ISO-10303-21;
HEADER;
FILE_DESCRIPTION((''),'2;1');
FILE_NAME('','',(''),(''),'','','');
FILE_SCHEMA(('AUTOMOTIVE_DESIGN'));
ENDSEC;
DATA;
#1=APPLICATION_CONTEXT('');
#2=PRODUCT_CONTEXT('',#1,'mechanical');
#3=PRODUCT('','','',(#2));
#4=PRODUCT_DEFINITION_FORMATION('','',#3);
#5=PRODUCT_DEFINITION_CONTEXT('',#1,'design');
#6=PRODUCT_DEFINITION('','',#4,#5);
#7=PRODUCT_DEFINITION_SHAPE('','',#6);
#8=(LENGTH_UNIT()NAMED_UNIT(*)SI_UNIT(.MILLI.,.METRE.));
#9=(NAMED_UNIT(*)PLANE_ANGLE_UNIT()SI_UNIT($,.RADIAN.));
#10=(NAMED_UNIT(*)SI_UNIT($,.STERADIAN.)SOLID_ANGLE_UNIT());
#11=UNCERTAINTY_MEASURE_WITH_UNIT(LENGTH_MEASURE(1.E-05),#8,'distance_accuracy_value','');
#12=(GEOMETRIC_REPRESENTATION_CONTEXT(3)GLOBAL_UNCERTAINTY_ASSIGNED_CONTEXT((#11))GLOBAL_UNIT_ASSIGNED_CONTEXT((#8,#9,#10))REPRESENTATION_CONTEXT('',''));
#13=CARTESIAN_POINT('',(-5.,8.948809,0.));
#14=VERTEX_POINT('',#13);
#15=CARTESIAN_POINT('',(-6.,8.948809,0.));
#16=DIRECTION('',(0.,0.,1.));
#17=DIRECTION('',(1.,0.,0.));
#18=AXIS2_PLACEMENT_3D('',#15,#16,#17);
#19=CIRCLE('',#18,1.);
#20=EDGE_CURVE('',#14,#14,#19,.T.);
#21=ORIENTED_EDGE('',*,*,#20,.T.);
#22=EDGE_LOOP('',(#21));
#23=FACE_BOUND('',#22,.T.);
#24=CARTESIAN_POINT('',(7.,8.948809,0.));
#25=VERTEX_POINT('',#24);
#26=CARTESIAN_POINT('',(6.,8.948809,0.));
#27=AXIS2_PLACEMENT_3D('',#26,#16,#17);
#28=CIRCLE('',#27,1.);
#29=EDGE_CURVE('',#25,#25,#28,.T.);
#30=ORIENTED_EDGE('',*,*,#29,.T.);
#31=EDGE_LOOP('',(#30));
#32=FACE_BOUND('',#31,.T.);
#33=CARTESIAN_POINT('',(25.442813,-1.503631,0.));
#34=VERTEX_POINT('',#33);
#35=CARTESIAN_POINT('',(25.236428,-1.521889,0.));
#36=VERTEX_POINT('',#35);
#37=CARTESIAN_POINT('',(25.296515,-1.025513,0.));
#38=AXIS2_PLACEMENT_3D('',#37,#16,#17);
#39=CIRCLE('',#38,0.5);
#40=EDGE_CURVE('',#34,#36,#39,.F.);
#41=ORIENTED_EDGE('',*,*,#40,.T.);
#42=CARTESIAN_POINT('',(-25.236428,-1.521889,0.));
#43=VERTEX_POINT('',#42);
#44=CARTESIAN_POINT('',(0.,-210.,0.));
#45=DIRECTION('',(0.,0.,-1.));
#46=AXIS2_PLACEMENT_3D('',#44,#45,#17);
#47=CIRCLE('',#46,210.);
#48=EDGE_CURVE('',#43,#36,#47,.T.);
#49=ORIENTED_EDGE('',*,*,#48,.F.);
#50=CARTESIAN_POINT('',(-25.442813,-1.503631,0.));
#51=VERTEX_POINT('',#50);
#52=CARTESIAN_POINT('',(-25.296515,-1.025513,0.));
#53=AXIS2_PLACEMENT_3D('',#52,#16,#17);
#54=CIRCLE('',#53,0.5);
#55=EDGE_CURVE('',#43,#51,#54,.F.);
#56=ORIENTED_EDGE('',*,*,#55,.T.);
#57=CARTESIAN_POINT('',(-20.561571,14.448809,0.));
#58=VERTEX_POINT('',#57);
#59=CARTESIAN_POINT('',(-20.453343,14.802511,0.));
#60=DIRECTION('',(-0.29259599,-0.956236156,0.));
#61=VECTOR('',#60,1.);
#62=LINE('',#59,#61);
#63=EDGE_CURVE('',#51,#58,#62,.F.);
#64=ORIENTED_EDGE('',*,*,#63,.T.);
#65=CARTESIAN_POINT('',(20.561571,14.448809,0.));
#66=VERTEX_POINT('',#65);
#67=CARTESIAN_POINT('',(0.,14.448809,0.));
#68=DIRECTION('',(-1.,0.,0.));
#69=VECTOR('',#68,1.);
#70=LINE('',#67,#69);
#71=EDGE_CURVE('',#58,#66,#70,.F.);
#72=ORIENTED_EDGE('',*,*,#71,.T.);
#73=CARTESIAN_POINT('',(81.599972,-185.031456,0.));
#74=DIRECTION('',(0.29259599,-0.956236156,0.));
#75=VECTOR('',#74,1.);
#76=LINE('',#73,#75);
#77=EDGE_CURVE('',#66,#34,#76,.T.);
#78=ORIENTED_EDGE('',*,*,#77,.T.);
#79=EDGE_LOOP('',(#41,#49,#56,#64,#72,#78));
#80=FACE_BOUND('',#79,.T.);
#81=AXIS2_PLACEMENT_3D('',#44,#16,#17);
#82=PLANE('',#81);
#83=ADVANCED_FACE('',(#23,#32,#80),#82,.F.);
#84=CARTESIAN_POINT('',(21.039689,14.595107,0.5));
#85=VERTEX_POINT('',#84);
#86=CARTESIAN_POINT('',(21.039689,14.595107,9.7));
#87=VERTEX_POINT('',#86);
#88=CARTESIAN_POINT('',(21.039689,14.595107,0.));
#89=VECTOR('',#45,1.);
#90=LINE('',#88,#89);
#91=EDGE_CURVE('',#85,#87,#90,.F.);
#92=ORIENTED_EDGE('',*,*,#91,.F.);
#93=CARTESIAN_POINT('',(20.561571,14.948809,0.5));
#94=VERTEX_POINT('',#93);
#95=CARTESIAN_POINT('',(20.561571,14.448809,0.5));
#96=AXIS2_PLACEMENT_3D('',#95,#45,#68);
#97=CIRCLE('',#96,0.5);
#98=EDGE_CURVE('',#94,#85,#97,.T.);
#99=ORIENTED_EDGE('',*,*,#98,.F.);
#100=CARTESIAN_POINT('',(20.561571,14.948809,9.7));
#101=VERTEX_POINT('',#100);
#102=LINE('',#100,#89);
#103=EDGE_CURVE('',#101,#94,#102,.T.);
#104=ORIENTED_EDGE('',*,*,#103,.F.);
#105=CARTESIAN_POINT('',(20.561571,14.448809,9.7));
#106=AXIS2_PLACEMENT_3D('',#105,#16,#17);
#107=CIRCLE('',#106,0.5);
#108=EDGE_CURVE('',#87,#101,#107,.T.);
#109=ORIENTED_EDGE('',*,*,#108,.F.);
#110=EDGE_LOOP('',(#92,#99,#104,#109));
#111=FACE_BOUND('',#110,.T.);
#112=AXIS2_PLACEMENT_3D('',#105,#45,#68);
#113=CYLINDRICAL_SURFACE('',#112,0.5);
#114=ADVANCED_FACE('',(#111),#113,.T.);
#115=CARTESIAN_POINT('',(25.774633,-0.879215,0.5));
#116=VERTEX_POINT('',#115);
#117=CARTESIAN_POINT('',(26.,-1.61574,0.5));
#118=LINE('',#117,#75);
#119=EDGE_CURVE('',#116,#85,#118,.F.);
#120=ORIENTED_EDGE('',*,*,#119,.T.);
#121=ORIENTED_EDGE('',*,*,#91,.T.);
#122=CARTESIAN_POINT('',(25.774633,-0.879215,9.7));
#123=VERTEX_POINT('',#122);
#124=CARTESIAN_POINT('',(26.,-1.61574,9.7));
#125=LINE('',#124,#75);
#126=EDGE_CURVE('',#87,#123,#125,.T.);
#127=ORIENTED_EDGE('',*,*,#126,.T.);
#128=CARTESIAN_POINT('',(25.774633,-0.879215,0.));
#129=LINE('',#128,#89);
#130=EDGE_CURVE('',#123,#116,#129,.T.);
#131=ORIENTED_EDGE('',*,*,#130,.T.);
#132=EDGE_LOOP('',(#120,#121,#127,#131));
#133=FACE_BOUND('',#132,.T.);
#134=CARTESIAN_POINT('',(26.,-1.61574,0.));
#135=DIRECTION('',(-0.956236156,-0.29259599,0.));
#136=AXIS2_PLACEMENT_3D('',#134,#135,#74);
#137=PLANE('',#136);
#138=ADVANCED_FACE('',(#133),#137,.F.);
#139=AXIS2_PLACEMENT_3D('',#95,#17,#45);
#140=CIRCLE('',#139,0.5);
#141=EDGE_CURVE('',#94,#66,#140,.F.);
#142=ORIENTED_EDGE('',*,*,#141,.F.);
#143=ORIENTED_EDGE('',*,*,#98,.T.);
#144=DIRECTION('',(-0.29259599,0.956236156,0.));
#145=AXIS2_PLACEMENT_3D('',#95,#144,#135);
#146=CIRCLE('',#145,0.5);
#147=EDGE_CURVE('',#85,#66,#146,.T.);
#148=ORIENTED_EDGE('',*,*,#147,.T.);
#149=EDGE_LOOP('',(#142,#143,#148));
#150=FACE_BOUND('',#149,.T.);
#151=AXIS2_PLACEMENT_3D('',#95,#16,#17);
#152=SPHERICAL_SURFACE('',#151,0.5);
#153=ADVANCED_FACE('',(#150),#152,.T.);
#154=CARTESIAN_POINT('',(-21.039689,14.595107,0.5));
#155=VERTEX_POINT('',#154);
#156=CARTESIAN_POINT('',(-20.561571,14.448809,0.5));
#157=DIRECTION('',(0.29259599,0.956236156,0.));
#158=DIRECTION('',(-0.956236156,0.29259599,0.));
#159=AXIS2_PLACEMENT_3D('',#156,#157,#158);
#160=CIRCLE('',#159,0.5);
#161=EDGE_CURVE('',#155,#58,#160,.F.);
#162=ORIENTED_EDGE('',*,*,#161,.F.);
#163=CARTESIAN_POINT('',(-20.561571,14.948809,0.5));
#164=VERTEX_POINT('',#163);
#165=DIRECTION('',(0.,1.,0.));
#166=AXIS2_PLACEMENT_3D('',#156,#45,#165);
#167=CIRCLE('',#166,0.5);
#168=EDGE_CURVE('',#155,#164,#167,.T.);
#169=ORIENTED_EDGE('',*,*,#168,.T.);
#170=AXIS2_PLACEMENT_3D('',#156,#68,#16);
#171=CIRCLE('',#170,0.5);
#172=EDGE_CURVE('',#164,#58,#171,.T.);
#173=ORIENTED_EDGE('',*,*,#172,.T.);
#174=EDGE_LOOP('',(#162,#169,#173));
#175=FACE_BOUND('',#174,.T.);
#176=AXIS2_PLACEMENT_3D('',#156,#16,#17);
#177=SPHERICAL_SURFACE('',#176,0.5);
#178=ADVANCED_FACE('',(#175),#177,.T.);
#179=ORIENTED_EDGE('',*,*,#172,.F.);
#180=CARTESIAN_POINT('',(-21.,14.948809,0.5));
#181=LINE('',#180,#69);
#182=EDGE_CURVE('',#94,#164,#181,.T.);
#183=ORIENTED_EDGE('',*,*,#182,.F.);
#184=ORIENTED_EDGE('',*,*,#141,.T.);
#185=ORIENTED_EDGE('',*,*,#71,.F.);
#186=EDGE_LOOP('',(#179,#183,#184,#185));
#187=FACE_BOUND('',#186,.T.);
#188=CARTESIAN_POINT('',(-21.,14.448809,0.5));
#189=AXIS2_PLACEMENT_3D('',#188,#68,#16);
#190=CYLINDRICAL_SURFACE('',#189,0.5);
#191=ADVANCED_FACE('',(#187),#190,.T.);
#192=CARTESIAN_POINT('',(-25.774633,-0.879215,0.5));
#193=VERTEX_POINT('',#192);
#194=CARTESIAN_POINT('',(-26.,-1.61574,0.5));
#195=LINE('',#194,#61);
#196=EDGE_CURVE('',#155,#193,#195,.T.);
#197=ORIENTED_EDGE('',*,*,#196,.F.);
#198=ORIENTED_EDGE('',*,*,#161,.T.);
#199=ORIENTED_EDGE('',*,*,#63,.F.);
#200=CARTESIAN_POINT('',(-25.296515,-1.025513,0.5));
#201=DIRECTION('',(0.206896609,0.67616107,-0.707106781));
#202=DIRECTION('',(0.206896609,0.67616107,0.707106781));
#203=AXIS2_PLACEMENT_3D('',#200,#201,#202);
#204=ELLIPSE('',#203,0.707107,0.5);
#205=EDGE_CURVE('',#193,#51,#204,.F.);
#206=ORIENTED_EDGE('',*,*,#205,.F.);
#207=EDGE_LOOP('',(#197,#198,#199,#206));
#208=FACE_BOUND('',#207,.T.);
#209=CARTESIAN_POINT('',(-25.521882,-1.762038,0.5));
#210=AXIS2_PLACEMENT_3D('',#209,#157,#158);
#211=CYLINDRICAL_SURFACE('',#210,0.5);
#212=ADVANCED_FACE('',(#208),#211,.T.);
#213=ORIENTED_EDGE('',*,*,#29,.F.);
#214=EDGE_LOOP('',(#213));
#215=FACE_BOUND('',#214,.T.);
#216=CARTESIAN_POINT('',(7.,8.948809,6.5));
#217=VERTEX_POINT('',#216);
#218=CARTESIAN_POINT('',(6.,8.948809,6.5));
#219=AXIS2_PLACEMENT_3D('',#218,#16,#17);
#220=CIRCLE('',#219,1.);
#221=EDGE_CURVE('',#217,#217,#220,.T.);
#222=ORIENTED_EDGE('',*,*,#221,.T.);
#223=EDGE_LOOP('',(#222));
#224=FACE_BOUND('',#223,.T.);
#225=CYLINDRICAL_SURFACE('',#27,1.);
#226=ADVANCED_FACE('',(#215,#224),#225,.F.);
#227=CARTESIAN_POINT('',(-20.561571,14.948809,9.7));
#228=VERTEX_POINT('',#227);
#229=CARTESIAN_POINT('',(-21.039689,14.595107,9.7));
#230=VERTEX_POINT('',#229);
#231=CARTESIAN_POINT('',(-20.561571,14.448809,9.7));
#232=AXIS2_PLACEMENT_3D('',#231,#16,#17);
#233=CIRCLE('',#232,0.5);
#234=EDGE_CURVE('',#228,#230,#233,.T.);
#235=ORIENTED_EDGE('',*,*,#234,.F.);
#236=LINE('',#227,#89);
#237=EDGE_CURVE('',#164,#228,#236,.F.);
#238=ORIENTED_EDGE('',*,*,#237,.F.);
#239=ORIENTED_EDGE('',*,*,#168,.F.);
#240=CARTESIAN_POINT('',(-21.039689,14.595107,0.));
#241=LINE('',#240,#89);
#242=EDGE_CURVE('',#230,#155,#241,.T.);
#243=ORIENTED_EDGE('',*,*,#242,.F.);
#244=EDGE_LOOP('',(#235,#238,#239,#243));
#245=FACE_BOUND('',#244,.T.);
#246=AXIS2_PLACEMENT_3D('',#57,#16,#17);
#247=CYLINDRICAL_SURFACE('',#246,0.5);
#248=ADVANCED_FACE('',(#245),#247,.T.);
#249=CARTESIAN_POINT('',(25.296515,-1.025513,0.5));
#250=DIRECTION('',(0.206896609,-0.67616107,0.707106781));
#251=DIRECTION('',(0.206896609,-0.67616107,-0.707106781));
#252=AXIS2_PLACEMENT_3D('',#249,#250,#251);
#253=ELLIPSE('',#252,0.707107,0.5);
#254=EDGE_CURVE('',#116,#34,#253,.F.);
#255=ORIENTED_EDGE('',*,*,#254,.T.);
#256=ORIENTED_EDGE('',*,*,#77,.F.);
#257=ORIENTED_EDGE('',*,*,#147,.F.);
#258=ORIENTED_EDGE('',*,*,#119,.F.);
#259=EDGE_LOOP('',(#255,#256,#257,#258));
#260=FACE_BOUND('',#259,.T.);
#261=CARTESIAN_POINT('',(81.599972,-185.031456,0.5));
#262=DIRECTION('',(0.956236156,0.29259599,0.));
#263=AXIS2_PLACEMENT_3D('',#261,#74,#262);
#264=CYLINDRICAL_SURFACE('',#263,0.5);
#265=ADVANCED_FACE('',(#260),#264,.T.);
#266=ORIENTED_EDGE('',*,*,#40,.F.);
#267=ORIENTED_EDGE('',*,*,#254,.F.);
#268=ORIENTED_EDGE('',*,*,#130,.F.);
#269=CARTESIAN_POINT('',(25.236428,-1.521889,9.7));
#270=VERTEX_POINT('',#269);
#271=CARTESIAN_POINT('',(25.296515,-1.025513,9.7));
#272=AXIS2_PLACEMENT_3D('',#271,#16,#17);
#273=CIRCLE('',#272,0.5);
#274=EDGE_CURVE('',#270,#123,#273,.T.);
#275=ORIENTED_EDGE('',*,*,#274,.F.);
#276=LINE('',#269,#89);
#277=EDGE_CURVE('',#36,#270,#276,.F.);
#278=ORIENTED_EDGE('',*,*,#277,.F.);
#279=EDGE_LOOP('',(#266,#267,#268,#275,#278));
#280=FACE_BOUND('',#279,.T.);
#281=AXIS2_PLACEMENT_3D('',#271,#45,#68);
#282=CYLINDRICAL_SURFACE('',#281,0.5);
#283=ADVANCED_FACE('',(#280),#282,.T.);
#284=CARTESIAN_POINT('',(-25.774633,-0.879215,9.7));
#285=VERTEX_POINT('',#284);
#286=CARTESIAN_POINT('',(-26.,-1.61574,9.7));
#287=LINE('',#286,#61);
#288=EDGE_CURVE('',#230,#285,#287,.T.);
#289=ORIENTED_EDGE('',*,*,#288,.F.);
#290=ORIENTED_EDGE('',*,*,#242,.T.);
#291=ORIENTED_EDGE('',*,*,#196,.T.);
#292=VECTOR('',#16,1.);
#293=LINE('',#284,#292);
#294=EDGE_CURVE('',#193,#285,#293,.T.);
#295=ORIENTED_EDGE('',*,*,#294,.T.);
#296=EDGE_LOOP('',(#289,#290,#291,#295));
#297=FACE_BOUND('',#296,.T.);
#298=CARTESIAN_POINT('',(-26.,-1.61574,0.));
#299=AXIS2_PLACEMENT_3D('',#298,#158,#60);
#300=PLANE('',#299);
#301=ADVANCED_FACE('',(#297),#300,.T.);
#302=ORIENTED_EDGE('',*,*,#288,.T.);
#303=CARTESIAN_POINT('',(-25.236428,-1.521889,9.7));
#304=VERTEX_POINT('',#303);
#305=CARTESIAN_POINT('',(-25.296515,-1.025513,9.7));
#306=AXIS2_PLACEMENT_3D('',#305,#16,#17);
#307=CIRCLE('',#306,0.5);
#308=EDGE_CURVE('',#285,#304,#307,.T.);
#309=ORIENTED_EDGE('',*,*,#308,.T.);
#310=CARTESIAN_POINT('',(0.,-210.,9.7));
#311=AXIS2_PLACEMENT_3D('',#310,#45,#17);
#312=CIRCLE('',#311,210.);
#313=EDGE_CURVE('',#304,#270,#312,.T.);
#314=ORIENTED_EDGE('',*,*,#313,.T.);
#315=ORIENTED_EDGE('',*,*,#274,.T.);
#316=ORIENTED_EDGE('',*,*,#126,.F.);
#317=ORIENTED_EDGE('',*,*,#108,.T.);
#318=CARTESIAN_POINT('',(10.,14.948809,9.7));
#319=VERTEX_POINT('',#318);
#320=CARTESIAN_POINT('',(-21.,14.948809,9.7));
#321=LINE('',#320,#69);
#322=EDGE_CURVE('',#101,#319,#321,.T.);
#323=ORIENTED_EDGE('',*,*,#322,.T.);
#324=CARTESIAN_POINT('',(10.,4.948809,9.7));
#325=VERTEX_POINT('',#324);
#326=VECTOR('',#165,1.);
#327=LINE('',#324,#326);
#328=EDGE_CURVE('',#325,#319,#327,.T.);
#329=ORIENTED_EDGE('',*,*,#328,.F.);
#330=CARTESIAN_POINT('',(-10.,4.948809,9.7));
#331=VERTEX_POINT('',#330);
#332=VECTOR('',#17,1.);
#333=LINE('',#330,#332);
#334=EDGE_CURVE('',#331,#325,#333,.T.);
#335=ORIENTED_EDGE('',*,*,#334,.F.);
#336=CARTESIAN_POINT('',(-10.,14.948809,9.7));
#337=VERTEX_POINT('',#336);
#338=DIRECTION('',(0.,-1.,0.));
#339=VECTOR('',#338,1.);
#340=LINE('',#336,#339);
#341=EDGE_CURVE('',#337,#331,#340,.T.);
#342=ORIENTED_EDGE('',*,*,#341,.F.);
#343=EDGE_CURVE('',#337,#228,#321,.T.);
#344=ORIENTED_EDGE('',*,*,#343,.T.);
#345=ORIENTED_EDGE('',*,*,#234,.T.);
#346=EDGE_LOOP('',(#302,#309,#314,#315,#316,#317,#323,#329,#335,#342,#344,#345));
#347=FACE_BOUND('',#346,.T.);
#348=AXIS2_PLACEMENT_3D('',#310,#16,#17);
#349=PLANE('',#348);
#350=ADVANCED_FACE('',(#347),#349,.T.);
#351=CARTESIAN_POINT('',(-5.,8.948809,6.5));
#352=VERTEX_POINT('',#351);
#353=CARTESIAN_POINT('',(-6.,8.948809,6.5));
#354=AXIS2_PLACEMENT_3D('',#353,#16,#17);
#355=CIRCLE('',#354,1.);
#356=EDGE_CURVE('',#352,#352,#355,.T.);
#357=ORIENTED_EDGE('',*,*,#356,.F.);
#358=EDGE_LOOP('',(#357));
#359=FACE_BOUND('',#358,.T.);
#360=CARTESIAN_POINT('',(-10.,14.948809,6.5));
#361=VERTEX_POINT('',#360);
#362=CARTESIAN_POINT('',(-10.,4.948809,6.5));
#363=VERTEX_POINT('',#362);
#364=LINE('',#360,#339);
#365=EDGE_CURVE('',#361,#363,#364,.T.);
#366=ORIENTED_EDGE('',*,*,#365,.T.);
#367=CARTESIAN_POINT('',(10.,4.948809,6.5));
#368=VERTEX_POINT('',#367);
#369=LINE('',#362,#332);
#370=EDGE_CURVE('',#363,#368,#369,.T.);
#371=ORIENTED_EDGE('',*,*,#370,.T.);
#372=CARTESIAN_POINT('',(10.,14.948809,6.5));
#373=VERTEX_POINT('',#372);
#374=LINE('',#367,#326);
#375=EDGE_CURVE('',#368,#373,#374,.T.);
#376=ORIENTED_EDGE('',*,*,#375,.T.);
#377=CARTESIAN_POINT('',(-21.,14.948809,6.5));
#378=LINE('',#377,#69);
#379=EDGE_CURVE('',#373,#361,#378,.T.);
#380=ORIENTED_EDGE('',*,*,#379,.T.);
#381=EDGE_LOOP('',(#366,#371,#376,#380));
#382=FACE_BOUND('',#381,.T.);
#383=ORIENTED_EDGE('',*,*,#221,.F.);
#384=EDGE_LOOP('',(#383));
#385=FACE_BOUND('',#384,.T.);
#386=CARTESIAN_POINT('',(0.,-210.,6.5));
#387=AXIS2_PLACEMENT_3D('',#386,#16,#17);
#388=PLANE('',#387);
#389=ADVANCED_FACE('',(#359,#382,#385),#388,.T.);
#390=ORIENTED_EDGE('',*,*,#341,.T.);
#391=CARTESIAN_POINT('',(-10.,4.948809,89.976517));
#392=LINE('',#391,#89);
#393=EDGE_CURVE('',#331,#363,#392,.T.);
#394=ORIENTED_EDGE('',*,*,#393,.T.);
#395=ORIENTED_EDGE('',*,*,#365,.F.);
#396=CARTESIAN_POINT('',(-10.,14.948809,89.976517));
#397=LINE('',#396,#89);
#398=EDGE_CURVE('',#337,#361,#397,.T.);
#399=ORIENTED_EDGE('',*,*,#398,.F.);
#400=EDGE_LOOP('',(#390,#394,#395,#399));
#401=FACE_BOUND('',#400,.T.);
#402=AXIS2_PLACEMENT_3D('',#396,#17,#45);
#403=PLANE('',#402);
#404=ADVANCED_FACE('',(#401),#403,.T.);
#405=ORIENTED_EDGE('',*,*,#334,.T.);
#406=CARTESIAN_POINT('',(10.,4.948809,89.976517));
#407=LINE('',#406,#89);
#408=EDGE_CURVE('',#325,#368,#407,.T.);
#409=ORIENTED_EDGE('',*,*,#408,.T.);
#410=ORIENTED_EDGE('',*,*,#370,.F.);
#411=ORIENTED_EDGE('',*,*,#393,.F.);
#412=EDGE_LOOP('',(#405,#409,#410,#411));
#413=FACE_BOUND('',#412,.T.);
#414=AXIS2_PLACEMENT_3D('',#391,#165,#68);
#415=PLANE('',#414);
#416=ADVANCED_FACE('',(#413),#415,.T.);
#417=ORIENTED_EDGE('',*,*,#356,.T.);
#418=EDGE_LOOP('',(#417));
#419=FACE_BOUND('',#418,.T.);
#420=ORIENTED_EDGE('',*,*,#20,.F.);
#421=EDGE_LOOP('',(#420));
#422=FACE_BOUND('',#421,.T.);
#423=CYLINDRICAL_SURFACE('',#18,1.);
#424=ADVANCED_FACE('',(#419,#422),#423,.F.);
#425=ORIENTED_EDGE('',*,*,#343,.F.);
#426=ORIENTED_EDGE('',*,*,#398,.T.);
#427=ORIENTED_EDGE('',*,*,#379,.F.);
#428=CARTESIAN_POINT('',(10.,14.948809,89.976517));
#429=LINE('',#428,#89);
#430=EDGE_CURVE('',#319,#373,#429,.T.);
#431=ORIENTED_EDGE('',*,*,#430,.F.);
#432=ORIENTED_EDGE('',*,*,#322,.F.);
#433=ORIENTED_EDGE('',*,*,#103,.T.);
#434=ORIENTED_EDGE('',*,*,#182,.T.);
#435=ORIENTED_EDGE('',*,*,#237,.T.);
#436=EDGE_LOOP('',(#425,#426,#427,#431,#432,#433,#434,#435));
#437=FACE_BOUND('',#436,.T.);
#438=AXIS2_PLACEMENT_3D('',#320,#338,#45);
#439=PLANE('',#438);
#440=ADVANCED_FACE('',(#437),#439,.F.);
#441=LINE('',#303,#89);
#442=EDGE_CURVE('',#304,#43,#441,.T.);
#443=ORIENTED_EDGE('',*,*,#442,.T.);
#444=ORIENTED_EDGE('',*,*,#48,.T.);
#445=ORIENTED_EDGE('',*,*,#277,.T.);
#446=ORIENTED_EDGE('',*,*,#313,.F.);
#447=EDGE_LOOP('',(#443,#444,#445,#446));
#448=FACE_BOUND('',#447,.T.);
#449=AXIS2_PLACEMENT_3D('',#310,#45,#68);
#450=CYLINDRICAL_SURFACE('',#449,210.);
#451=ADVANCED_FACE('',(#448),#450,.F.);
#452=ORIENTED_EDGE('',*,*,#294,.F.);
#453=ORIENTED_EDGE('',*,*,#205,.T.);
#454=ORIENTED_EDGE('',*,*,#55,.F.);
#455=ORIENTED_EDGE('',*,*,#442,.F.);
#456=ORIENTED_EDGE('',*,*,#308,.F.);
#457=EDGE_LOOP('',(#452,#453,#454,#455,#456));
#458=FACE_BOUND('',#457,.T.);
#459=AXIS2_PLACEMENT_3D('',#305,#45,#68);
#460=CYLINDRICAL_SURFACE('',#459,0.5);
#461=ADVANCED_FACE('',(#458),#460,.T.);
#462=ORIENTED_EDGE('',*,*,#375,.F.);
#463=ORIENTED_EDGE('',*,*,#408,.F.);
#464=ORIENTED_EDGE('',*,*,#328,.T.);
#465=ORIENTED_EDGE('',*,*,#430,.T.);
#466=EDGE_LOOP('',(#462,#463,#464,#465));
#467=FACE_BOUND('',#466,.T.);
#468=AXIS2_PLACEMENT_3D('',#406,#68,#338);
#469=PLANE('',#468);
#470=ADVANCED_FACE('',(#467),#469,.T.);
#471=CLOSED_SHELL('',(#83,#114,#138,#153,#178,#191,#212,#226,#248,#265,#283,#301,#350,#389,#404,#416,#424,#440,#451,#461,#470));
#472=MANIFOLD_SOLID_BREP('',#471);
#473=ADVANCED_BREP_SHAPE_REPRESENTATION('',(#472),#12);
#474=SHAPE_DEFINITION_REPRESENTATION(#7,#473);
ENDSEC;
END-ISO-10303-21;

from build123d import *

# Parameters (mm, degrees)
EXTRUDE_1_DEPTH          = 9.7
CUT_EXTRUDE_2_DEPTH      = 32.520737269
FILLET_3_R               = 0.5
CUT_EXTRUDE_5_DEPTH      = 32.353102755
CUT_EXTRUDE_5_DEPTH_BACK = 3.2
SKETCH_18_R              = 1
CUT_EXTRUDE_6_DEPTH      = 31.515193795


with BuildPart() as part:
    # 草图1 → 凸台-拉伸1 (new body)
    with BuildSketch(Plane.XY):
        with BuildLine():
            Line((-21, 14.94880858), (21, 14.94880858))
            Line((21, 14.94880858), (23.5, 14.94880858))
            Line((23.5, 14.94880858), (26, -1.615739558))
            ThreePointArc((26, -1.615739558), (0, 0), (-26, -1.615739558))
            Line((-26, -1.615739558), (-23.5, 14.94880858))
            Line((-23.5, 14.94880858), (-21, 14.94880858))
        make_face()
    extrude(amount=EXTRUDE_1_DEPTH)

    # 草图10 → 切除-拉伸2 (cut, through all)
    with BuildSketch(Plane.XY.offset(9.7)):
        Polygon((26, -1.615739558), (20.914837438, 15.00313582), (23.5, 14.94880858), align=None)
    cut_extrude_2 = extrude(amount=-CUT_EXTRUDE_2_DEPTH, mode=Mode.SUBTRACT)

    # 镜向1: 切除-拉伸2 across plane
    add(cut_extrude_2.mirror(Plane(origin=(0, 0, 0), x_dir=(0, 0, 1), z_dir=(1, 0, 0))), mode=Mode.SUBTRACT)

    # 圆角3
    fillet_3_edges = [part.edges().sort_by_distance(p)[0] for p in [
        (26, -1.615739558, 4.85),
        (-26, -1.615739558, 4.85),
        (0, 14.94880858, 0),
        (23.465730438, 6.666534511, 0),
        (20.931460876, 14.94880858, 4.85),
        (-23.465730438, 6.666534511, 0),
        (-20.931460876, 14.94880858, 4.85),
    ]]
    fillet(fillet_3_edges, radius=FILLET_3_R)

    # 草图17 → 切除-拉伸5 (cut, two sides: drawn at the far end of the back side and taken through both)
    with BuildSketch(Plane.XY.offset(9.7).offset(-CUT_EXTRUDE_5_DEPTH_BACK)):
        Polygon((-10, 103.759816228), (-10, 14.94880858), (-10, 4.94880858), (10, 4.94880858), (10, 14.94880858), (10, 103.759816228), (10, 281.381831522), (-10, 281.381831522), align=None)
    extrude(amount=CUT_EXTRUDE_5_DEPTH + CUT_EXTRUDE_5_DEPTH_BACK, mode=Mode.SUBTRACT)

    # 草图18 → 切除-拉伸6 (cut, through all)
    with BuildSketch(Plane.XY.offset(6.5)):
        with Locations((-6, 8.94880858)):
            Circle(SKETCH_18_R)
        with Locations((6, 8.94880858)):
            Circle(SKETCH_18_R)
    extrude(amount=-CUT_EXTRUDE_6_DEPTH, mode=Mode.SUBTRACT)


solid = part.part
